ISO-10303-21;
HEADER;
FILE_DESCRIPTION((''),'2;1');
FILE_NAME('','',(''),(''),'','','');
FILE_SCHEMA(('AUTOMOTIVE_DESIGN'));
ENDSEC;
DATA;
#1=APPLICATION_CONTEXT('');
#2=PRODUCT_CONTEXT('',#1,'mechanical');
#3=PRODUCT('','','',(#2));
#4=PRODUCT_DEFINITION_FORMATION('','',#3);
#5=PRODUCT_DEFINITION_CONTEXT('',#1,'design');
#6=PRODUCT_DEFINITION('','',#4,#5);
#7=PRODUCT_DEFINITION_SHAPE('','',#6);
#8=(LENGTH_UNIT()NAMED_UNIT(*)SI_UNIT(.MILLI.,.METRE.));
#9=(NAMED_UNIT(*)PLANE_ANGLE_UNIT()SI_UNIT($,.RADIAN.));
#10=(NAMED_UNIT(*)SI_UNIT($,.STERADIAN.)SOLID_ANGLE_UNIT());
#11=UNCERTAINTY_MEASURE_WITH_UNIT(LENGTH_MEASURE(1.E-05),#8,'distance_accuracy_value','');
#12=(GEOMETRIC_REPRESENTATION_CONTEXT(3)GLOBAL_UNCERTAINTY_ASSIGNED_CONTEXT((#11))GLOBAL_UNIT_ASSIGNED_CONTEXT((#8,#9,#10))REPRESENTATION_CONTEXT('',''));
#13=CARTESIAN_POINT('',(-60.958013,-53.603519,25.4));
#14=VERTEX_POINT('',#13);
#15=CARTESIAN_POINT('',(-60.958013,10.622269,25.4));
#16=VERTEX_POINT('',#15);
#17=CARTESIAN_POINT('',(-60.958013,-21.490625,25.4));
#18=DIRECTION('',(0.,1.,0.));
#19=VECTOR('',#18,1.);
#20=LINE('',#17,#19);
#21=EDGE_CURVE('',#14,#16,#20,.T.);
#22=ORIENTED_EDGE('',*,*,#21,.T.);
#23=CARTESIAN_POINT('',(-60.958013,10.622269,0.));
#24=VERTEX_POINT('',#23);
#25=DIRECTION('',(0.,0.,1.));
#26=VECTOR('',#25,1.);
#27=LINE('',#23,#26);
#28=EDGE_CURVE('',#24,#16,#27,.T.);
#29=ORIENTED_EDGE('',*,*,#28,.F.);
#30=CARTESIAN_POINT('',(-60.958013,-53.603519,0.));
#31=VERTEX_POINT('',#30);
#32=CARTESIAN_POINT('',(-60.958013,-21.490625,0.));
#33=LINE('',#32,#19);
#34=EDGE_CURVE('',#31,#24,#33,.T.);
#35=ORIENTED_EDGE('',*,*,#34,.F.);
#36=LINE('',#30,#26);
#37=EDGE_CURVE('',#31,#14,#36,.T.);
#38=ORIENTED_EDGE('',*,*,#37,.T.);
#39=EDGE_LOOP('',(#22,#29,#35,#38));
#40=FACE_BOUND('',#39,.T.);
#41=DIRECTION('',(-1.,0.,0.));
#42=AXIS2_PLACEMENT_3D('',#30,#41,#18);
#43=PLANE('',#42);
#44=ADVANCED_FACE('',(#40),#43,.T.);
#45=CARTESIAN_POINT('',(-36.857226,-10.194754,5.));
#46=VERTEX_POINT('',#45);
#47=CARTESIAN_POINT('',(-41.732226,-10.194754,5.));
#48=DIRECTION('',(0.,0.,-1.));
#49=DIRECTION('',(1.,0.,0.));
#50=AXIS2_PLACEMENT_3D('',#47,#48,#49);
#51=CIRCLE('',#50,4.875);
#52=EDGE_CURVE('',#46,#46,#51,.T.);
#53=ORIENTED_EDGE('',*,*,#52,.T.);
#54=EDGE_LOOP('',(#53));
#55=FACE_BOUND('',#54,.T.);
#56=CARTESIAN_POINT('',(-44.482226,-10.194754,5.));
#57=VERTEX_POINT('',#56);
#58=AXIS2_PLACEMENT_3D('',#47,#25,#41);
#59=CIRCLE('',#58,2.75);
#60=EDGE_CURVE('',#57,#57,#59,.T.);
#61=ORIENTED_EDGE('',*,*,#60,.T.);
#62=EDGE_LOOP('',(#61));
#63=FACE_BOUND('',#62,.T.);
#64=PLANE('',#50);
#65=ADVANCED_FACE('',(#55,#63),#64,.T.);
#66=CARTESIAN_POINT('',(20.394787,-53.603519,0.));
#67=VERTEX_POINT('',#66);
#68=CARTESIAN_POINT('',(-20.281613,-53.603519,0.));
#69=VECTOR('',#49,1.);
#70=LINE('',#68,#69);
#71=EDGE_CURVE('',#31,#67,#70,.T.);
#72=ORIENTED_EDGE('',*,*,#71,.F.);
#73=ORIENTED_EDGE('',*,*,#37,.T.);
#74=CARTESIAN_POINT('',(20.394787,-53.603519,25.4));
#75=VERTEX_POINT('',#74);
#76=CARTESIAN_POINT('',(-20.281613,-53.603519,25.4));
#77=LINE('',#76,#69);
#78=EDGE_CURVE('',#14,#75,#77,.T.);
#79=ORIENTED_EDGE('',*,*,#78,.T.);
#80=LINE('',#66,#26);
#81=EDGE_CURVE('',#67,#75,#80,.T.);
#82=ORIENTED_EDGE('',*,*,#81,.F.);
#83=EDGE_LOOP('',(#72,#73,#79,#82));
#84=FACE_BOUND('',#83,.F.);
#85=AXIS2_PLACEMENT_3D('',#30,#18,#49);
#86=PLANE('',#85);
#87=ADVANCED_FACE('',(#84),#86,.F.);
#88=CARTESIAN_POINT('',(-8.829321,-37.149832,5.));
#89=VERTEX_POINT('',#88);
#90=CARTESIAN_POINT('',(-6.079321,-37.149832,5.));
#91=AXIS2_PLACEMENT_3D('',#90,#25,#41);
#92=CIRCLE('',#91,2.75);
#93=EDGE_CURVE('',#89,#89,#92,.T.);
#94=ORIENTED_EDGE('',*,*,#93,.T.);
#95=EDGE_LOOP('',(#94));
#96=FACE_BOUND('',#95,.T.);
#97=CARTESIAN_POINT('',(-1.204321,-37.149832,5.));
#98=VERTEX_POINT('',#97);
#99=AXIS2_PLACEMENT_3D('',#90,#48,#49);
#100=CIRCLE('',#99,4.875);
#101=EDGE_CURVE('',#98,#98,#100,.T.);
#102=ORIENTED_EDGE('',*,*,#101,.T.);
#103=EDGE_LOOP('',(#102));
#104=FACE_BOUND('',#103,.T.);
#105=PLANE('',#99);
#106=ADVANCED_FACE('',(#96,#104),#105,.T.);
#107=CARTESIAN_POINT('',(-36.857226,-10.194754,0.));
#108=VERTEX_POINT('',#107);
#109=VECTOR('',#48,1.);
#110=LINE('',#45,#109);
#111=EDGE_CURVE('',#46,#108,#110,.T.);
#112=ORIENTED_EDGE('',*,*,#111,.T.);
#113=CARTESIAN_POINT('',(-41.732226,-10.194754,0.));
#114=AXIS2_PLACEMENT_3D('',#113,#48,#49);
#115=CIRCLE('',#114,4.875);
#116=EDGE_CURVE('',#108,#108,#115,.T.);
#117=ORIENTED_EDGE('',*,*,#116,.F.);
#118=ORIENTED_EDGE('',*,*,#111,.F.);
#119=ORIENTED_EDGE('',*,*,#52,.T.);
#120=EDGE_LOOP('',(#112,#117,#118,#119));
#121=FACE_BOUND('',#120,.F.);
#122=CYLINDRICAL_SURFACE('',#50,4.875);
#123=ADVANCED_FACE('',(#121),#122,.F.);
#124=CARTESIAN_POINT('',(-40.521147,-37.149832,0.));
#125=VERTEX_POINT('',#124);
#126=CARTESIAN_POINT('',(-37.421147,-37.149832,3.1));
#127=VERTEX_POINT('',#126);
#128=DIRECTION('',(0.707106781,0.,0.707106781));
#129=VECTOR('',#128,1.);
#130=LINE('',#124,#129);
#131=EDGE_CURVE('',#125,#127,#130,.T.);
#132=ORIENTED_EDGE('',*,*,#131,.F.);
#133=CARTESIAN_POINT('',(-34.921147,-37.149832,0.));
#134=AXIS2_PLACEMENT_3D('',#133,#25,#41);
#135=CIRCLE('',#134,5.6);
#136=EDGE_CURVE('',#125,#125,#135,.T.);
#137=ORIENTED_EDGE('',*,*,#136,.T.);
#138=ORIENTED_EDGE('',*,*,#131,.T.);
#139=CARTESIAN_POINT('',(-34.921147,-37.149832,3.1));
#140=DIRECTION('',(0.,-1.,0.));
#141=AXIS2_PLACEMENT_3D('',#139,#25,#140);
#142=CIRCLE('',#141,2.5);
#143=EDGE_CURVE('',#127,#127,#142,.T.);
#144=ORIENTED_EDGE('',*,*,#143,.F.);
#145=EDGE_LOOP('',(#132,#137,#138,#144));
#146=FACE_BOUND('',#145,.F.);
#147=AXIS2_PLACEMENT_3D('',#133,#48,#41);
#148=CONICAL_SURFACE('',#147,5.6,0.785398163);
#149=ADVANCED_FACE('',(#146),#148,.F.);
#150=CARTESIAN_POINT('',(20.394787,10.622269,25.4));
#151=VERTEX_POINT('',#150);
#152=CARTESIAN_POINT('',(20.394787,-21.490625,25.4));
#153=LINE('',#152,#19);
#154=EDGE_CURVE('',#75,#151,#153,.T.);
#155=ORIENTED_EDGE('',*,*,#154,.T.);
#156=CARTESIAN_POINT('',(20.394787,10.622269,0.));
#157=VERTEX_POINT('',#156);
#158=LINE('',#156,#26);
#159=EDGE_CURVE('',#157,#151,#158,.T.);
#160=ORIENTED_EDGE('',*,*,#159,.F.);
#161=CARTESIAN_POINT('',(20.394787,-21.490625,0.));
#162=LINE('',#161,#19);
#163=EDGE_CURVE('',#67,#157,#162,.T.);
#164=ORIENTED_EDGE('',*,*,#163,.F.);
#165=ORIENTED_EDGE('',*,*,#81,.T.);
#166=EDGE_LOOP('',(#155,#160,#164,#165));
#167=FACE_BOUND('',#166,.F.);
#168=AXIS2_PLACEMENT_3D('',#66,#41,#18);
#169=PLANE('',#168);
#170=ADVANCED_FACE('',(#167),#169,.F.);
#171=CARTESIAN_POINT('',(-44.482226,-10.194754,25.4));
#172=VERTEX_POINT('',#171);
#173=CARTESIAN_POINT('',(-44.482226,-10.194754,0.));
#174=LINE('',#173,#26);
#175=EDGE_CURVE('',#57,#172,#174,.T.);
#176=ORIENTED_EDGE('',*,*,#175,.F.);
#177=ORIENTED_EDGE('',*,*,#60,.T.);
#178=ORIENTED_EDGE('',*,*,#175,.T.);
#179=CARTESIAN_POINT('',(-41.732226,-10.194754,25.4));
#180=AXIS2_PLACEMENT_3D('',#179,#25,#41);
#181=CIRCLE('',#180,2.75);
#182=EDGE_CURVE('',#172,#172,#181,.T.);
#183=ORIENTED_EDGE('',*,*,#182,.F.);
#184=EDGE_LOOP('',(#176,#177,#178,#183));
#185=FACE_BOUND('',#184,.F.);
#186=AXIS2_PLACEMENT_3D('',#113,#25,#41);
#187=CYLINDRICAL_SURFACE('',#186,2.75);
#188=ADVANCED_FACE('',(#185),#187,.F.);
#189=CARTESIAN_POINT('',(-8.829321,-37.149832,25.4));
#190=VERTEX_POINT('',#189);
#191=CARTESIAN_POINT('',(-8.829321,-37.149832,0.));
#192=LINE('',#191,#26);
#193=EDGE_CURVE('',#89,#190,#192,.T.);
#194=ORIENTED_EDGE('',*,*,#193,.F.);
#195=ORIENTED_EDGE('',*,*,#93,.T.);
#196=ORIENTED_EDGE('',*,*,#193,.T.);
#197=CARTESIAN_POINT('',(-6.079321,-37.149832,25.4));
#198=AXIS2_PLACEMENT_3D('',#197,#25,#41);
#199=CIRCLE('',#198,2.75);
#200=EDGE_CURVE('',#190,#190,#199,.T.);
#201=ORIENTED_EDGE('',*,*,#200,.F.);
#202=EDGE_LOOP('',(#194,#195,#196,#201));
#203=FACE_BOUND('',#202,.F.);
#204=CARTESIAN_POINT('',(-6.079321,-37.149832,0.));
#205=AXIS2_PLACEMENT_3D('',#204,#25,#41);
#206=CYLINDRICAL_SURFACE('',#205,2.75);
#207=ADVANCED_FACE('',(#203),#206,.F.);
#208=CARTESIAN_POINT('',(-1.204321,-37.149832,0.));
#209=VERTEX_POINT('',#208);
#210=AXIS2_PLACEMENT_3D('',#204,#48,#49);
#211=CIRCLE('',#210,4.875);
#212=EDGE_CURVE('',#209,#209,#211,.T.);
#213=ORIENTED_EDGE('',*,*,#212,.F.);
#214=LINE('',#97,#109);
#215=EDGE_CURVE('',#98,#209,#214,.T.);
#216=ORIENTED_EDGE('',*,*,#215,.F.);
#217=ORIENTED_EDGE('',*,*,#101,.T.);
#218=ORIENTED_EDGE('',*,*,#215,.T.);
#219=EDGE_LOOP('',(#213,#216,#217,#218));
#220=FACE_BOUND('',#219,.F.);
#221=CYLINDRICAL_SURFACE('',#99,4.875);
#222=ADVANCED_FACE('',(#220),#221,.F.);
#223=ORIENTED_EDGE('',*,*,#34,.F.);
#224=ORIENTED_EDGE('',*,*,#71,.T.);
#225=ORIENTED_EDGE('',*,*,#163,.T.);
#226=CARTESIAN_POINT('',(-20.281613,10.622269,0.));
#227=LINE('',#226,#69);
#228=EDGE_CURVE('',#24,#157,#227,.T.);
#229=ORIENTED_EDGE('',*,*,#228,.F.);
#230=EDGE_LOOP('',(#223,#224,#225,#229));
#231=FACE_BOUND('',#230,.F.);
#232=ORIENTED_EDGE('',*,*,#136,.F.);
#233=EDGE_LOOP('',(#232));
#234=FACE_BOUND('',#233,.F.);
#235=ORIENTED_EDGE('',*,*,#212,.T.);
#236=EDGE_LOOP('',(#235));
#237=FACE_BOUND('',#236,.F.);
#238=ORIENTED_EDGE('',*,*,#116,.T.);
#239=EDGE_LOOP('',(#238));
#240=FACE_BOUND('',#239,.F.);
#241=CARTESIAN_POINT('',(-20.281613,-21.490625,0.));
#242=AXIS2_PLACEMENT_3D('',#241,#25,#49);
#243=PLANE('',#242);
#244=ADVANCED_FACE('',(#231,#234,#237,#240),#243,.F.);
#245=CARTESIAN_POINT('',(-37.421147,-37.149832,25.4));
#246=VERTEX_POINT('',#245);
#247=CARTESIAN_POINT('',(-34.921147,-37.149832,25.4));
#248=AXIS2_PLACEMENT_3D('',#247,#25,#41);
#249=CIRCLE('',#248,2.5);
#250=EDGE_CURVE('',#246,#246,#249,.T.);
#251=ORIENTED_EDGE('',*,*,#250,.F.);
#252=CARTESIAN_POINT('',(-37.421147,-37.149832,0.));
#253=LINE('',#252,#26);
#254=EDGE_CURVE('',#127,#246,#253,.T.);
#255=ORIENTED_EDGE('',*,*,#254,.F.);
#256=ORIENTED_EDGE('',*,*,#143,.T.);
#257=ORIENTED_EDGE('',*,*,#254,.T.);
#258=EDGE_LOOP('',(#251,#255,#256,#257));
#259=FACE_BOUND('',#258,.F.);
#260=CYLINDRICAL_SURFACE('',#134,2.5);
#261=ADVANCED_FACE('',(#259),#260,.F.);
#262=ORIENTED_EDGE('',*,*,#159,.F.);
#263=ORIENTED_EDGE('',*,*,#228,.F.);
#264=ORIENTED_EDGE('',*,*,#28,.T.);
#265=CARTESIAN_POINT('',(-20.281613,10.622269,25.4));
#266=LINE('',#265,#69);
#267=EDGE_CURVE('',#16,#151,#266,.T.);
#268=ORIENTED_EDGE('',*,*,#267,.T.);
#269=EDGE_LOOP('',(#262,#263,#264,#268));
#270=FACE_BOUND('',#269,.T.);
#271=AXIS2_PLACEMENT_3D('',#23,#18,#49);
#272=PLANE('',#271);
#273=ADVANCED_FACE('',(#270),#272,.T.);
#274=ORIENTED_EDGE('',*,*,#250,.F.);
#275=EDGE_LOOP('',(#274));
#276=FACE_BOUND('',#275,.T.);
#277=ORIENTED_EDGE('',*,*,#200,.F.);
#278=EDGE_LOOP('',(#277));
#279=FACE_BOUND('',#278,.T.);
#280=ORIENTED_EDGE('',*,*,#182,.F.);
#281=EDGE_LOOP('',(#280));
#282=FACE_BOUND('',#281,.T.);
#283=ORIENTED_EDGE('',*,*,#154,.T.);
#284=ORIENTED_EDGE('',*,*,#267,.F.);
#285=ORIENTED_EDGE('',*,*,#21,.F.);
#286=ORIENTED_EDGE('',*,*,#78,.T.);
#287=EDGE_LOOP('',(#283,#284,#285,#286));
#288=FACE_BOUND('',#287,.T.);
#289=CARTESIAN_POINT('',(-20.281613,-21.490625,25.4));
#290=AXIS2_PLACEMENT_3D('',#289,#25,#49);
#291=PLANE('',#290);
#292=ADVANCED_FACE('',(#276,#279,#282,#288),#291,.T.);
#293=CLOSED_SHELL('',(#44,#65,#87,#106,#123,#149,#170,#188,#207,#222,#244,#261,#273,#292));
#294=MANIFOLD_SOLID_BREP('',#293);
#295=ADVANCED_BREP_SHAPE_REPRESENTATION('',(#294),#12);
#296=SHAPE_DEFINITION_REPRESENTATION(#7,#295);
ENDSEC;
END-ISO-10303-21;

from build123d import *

# Parameters (mm, degrees)
F0_W           = 81.3528001308
F0_H           = 64.2257872969
F1_DEPTH       = 25.4
F2_D           = 5
F2_CSINK_D     = 11.2
F2_CSINK_ANGLE = 90
F3_D           = 5.5
F3_CBORE_D     = 9.75
F3_CBORE_DEPTH = 5
F4_D           = 5.5
F4_CBORE_D     = 9.75
F4_CBORE_DEPTH = 5


with BuildPart() as f1:
    # F0 (on Top) → F1 (new body)
    with BuildSketch(Plane.XY):
        with Locations((-20.2816128731, -21.4906251058)):
            Rectangle(F0_W, F0_H)
    extrude(amount=F1_DEPTH)

    # F2 (through all)
    with Locations(Plane(origin=(0, 0, 0), x_dir=(1, 0, 0), z_dir=(0, 0, -1))):
        with Locations((-34.9211469293, 37.1498316526)):
            CounterSinkHole(F2_D / 2, F2_CSINK_D / 2, counter_sink_angle=F2_CSINK_ANGLE)

    # F3 (through all)
    with Locations(Plane(origin=(0, 0, 0), x_dir=(1, 0, 0), z_dir=(0, 0, -1))):
        with Locations((-41.7322255671, 10.194754228)):
            CounterBoreHole(F3_D / 2, F3_CBORE_D / 2, F3_CBORE_DEPTH)

    # F4 (through all)
    with Locations(Plane(origin=(0, 0, 0), x_dir=(1, 0, 0), z_dir=(0, 0, -1))):
        with Locations((-6.0793207958, 37.1498316526)):
            CounterBoreHole(F4_D / 2, F4_CBORE_D / 2, F4_CBORE_DEPTH)


solid = f1.part
